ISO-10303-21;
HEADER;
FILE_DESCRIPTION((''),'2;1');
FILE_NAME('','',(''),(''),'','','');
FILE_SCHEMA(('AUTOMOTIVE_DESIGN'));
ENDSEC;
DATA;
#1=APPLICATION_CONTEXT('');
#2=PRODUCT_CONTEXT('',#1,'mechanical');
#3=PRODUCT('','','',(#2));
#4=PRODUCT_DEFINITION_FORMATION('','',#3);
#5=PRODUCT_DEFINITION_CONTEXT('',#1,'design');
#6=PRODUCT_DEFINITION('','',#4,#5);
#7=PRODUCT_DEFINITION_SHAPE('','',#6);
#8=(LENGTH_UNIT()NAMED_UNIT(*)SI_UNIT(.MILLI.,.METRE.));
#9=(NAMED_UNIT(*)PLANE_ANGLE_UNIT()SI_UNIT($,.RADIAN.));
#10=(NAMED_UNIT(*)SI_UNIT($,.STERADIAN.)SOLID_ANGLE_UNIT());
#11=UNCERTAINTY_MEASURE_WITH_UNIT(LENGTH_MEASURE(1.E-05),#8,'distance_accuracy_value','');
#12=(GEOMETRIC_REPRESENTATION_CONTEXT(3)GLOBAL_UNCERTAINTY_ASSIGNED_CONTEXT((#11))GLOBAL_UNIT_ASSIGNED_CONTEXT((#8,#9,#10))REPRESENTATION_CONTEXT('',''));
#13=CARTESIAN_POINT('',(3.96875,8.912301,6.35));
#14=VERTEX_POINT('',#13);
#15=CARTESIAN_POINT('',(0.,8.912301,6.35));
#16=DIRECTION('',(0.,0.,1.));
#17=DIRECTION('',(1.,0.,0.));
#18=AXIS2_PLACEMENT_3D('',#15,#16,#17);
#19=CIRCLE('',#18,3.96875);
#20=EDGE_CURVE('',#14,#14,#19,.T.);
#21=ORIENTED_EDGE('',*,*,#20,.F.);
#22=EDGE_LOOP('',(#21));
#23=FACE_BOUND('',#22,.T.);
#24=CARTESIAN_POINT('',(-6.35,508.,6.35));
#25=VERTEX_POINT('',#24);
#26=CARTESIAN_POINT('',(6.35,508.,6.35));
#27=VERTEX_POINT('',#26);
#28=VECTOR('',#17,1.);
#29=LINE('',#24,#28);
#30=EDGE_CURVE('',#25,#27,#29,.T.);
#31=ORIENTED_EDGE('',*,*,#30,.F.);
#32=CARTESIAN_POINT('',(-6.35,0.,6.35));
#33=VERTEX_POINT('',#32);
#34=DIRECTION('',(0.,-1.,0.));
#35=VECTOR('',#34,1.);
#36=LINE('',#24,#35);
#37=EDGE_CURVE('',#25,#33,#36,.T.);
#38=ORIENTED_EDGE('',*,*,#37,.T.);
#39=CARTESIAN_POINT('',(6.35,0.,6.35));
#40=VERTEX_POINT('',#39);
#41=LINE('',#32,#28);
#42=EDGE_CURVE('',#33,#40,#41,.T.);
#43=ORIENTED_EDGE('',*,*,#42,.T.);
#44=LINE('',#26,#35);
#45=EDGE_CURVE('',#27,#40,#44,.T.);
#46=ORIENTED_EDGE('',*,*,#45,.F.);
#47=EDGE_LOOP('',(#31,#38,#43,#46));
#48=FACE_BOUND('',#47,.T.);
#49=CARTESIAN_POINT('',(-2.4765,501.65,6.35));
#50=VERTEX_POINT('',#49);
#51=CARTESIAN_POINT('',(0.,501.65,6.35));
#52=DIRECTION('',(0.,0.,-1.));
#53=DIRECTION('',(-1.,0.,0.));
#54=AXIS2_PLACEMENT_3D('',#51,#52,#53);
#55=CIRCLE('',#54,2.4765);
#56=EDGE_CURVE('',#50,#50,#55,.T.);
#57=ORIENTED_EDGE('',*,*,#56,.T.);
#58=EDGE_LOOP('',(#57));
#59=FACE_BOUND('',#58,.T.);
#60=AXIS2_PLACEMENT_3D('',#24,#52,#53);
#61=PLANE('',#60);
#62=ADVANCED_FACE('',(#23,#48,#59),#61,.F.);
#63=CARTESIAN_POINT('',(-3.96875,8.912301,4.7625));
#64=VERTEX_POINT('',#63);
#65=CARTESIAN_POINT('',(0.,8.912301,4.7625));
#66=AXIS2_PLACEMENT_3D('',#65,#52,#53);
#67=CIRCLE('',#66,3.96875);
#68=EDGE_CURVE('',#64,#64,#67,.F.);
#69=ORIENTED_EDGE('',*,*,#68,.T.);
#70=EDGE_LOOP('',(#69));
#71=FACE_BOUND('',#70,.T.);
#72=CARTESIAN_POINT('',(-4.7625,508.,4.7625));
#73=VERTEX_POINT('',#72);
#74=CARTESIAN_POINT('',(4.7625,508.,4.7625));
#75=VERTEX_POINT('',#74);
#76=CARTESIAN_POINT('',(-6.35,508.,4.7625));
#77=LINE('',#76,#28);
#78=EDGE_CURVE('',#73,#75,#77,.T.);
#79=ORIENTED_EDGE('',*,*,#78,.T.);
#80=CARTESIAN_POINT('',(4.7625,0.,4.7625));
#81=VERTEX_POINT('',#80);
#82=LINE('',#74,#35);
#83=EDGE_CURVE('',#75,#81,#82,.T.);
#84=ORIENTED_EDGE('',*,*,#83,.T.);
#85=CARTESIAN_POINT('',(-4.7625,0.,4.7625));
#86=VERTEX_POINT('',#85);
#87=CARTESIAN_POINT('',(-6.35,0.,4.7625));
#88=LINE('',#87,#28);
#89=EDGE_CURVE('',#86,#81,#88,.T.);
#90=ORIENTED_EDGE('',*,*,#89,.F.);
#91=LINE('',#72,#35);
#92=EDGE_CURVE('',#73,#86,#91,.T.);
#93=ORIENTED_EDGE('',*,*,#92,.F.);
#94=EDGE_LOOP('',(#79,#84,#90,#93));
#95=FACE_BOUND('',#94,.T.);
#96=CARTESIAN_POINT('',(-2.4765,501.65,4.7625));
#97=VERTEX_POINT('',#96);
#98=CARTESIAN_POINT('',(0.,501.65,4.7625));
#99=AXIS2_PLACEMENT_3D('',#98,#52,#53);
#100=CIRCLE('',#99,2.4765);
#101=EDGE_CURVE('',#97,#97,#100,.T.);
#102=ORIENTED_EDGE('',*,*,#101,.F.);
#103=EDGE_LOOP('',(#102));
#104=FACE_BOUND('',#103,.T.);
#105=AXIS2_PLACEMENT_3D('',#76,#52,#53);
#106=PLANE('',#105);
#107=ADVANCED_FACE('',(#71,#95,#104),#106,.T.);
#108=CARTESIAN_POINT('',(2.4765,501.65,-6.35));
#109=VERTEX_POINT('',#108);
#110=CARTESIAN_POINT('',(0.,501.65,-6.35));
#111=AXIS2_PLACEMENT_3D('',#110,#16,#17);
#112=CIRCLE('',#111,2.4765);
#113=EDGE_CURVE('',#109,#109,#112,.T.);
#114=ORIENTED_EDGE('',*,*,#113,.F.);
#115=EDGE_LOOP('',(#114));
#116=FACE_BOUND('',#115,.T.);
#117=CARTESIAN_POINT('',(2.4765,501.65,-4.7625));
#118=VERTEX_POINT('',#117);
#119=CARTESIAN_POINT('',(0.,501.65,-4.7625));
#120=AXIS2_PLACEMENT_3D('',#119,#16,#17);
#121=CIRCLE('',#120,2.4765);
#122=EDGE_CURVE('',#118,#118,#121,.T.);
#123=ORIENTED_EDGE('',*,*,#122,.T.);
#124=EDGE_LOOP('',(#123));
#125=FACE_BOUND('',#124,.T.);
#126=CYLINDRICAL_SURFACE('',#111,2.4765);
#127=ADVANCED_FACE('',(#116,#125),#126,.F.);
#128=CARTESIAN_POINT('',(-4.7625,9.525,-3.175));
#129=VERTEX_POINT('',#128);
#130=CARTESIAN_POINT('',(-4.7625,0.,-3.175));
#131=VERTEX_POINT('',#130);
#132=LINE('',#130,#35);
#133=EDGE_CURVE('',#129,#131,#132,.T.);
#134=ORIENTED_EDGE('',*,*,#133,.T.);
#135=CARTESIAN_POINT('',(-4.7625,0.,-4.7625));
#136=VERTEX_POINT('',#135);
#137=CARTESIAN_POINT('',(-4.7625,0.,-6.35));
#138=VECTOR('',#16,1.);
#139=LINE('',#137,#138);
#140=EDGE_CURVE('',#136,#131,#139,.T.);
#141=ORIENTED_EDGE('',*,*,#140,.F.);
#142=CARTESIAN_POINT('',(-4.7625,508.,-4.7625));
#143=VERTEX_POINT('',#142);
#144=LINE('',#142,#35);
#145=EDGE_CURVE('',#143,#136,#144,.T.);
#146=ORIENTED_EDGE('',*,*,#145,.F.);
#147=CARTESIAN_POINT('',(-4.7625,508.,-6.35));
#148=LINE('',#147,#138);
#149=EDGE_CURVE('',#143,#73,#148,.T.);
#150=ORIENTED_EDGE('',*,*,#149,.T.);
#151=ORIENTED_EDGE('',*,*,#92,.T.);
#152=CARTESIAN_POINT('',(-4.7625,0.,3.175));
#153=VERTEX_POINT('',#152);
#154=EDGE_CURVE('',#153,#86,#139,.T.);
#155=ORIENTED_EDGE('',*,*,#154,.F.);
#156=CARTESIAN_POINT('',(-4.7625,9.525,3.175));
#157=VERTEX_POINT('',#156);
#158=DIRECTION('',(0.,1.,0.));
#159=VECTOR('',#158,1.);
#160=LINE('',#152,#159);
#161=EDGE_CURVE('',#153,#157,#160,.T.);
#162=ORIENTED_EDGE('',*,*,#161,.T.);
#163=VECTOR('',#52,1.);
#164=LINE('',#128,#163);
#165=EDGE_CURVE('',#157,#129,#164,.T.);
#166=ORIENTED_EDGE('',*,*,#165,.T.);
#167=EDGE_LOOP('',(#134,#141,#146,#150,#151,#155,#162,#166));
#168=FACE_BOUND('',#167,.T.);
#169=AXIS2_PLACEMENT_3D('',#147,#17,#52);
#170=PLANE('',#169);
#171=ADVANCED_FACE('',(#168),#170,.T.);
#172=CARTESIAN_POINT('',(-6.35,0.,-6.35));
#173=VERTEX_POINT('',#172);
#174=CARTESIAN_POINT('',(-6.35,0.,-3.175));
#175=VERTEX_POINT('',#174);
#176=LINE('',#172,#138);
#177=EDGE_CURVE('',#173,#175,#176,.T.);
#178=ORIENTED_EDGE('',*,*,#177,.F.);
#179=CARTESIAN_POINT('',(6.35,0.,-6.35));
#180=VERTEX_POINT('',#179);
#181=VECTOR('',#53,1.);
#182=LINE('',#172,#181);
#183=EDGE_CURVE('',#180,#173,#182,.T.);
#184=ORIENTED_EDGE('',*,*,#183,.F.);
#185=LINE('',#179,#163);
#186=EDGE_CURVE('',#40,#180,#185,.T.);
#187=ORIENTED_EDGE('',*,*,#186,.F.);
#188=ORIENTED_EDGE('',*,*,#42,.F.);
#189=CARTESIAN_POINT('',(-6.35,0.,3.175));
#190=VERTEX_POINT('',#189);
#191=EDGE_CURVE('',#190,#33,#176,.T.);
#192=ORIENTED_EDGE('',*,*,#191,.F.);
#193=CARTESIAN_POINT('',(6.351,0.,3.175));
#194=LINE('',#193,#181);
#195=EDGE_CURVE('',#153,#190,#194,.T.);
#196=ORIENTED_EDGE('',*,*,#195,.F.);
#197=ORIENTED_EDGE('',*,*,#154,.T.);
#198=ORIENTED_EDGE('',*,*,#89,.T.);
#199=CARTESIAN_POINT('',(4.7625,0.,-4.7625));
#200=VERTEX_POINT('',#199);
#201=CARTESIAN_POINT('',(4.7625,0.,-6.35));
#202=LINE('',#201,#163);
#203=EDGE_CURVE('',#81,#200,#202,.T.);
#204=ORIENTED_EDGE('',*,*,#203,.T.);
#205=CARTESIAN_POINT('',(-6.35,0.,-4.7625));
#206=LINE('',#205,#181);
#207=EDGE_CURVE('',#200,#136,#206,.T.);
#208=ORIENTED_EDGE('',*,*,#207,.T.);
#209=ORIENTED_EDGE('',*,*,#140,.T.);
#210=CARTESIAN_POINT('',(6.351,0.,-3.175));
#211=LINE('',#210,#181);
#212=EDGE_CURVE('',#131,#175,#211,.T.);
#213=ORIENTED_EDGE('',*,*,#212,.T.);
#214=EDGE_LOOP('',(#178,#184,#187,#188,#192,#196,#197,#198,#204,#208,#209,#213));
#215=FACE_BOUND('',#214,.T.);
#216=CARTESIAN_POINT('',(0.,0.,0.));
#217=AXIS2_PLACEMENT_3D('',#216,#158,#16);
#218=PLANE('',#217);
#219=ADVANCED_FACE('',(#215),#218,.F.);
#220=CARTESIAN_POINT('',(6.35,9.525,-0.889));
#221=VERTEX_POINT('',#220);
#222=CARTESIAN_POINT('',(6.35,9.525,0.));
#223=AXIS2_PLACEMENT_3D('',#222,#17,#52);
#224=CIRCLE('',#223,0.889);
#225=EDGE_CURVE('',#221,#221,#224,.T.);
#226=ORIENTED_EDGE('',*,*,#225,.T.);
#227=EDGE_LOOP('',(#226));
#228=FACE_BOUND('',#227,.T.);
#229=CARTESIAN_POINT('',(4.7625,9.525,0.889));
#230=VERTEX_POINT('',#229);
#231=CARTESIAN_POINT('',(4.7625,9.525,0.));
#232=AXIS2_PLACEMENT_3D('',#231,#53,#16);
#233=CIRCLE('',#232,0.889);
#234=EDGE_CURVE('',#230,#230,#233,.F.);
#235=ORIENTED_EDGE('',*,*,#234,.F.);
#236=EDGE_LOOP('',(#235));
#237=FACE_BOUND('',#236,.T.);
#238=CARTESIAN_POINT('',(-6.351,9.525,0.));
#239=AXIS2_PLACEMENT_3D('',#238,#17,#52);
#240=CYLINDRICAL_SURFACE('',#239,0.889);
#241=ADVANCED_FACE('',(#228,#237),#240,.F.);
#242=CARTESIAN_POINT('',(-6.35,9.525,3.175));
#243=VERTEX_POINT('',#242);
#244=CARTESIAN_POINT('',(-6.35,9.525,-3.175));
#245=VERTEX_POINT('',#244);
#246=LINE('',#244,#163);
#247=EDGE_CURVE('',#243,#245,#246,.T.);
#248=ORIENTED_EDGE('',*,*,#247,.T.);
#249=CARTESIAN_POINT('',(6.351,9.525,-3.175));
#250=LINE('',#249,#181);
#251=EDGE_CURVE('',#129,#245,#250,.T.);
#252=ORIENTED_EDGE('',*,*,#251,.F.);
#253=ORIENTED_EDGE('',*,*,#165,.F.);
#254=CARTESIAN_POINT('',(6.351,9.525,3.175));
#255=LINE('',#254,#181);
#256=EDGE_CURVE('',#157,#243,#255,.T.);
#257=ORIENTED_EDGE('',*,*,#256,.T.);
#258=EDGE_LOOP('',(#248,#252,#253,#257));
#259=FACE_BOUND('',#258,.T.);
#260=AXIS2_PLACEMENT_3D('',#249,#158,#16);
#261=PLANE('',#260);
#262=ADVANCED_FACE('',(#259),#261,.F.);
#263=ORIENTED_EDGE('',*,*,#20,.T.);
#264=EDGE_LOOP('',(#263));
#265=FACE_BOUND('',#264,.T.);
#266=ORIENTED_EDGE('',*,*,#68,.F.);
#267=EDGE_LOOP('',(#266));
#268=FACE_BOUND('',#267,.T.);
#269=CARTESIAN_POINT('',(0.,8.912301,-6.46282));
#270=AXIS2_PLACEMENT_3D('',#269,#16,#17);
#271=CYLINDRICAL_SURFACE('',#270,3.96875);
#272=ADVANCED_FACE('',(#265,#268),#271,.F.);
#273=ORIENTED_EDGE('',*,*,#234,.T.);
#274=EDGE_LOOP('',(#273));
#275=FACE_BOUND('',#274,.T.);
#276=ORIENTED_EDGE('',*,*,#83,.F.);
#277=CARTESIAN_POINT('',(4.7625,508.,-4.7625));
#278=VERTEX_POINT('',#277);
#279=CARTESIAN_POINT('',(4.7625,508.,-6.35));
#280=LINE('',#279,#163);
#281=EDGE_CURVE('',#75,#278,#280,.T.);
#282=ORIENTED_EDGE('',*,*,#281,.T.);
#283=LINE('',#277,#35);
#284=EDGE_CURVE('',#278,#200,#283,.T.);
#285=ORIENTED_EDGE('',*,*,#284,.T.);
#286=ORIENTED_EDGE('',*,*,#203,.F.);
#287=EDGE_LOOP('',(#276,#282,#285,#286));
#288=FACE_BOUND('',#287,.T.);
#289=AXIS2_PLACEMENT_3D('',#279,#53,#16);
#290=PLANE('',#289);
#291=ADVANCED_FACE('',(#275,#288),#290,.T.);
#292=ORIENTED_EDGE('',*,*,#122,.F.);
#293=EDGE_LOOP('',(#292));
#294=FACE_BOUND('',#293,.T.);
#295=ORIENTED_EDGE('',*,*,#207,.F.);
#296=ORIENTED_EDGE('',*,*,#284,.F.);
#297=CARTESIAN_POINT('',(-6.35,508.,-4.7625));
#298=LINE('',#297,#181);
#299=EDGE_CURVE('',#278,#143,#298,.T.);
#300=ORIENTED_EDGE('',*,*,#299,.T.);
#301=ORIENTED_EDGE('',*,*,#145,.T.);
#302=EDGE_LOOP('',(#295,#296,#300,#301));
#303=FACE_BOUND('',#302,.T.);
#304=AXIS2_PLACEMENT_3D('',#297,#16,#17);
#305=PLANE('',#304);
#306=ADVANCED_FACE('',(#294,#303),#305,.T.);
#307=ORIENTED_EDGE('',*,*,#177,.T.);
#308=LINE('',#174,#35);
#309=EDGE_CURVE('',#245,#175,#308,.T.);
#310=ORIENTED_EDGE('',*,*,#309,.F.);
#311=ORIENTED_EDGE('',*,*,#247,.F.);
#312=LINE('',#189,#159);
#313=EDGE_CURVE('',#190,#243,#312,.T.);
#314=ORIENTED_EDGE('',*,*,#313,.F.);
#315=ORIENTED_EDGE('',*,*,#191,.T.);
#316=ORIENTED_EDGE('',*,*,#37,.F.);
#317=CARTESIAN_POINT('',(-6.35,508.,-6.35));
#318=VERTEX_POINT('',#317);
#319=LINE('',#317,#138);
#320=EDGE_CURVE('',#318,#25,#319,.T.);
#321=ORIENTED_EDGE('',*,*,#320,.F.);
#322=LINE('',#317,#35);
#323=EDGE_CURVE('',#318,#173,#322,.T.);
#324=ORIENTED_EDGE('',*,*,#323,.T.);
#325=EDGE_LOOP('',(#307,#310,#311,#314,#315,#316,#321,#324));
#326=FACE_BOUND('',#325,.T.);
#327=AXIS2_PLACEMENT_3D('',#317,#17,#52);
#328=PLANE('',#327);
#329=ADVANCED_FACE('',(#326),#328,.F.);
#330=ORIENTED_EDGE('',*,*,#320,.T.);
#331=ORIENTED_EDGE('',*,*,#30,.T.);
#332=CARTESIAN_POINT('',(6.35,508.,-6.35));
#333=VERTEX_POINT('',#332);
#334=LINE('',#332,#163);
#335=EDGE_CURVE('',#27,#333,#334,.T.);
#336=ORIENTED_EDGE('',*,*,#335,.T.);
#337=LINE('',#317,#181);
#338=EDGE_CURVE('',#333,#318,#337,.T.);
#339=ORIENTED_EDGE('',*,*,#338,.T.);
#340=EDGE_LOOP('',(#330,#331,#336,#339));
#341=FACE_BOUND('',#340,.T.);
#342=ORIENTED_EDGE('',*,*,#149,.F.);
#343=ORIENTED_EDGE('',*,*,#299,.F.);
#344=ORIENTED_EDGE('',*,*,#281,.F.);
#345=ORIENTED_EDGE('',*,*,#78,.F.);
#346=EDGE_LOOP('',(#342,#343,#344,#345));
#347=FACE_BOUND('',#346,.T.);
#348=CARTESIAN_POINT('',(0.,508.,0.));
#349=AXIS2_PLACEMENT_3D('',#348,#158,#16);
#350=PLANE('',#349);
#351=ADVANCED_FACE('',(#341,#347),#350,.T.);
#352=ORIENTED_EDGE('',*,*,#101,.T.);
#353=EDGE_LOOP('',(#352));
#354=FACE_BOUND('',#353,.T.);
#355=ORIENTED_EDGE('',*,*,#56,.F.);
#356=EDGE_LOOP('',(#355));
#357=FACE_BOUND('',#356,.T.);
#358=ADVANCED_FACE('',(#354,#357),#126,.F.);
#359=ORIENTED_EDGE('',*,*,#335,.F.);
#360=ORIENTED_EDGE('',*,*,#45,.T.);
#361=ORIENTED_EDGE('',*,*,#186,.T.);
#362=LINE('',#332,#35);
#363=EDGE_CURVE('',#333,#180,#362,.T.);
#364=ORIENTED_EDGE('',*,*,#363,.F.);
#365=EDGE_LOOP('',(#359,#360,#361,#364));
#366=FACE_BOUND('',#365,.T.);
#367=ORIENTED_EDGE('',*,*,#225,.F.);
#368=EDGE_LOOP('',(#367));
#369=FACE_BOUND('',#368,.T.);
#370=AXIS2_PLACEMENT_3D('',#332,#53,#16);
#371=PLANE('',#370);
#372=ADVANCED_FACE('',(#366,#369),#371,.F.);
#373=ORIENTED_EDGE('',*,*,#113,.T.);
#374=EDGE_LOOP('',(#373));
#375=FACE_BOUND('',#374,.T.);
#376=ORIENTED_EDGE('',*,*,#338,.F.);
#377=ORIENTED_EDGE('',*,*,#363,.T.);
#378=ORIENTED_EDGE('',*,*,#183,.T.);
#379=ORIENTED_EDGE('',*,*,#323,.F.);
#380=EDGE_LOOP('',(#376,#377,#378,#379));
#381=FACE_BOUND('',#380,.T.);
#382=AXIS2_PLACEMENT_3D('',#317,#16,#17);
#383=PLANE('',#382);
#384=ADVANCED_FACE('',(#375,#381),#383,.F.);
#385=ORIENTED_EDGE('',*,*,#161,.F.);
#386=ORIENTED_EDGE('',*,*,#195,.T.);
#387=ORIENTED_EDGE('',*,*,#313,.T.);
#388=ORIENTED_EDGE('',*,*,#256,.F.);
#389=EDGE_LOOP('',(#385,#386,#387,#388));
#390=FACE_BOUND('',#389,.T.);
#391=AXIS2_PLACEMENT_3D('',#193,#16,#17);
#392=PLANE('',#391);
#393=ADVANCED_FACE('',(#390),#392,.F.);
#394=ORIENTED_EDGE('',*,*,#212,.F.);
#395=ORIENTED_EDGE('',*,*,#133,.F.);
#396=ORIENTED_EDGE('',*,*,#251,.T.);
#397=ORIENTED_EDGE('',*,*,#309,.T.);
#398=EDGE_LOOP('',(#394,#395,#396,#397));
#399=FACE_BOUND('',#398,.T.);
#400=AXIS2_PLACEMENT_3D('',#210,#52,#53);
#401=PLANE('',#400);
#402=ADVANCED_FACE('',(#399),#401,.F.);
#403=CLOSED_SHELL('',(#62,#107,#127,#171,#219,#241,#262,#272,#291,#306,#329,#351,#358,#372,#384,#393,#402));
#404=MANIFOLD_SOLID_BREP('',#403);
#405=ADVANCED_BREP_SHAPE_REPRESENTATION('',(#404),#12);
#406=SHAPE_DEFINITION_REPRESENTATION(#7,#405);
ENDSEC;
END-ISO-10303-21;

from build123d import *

# Parameters (mm, degrees)
SKETCH1_W               = 12.7
SKETCH1_H               = 12.7
SKETCH1_W_2             = 9.525
SKETCH1_H_2             = 9.525
EXTRUDE_THIN1_DEPTH     = 508
SKETCH2_R               = 3.96875
CUT_EXTRUDE1_DEPTH      = 1.5875
SKETCH3_R               = 2.4765
CUT_EXTRUDE2_DEPTH      = 1
CUT_EXTRUDE2_DEPTH_BACK = 13.7
CUT_EXTRUDE3_REACH      = 14.7
SKETCH4_R               = 0.889
CUT_EXTRUDE4_REACH      = 14.7
SKETCH5_W               = 6.35
SKETCH5_H               = 9.525


with BuildPart() as part:
    # Sketch1 → Extrude-Thin1 (new body)
    with BuildSketch(Plane(origin=(0, 0, 0), x_dir=(1, 0, 0), z_dir=(0, 1, 0))):
        Rectangle(SKETCH1_W, SKETCH1_H)
        Rectangle(SKETCH1_W_2, SKETCH1_H_2, mode=Mode.SUBTRACT)
    extrude(amount=EXTRUDE_THIN1_DEPTH)

    # Sketch2 → Cut-Extrude1 (cut)
    with BuildSketch(Plane.XY.offset(6.35)):
        with Locations((0, 8.9123012)):
            Circle(SKETCH2_R)
    extrude(amount=-CUT_EXTRUDE1_DEPTH, mode=Mode.SUBTRACT)

    # Sketch3 → Cut-Extrude2 (cut, two sides)
    with BuildSketch(Plane.XY.offset(6.35)) as cut_extrude2_sk:
        with Locations((0, 501.65)):
            Circle(SKETCH3_R)
    extrude(amount=CUT_EXTRUDE2_DEPTH, mode=Mode.SUBTRACT)
    extrude(cut_extrude2_sk.sketch, amount=-CUT_EXTRUDE2_DEPTH_BACK, mode=Mode.SUBTRACT)

    # Sketch4 → Cut-Extrude3 (cut, up to next)
    with BuildSketch(Plane(origin=(6.35, 0, 0), x_dir=(0, 0, -1), z_dir=(1, 0, 0)), mode=Mode.PRIVATE) as cut_extrude3_sk1:
        with Locations((0, 9.525)):
            Circle(SKETCH4_R)
    cut_extrude3_tool1 = extrude(cut_extrude3_sk1.sketch, amount=-CUT_EXTRUDE3_REACH, mode=Mode.PRIVATE) & part.part
    add(cut_extrude3_tool1.solids().sort_by_distance((6.35, 9.525, 0))[0], mode=Mode.SUBTRACT)

    # Sketch5 → Cut-Extrude4 (cut, up to next)
    with BuildSketch(Plane.ZY.offset(6.35), mode=Mode.PRIVATE) as cut_extrude4_sk1:
        with Locations((0, 4.7625)):
            Rectangle(SKETCH5_W, SKETCH5_H)
    cut_extrude4_tool1 = extrude(cut_extrude4_sk1.sketch, amount=-CUT_EXTRUDE4_REACH, mode=Mode.PRIVATE) & part.part
    add(cut_extrude4_tool1.solids().sort_by_distance((-6.35, 4.7625, 0))[0], mode=Mode.SUBTRACT)


solid = part.part
